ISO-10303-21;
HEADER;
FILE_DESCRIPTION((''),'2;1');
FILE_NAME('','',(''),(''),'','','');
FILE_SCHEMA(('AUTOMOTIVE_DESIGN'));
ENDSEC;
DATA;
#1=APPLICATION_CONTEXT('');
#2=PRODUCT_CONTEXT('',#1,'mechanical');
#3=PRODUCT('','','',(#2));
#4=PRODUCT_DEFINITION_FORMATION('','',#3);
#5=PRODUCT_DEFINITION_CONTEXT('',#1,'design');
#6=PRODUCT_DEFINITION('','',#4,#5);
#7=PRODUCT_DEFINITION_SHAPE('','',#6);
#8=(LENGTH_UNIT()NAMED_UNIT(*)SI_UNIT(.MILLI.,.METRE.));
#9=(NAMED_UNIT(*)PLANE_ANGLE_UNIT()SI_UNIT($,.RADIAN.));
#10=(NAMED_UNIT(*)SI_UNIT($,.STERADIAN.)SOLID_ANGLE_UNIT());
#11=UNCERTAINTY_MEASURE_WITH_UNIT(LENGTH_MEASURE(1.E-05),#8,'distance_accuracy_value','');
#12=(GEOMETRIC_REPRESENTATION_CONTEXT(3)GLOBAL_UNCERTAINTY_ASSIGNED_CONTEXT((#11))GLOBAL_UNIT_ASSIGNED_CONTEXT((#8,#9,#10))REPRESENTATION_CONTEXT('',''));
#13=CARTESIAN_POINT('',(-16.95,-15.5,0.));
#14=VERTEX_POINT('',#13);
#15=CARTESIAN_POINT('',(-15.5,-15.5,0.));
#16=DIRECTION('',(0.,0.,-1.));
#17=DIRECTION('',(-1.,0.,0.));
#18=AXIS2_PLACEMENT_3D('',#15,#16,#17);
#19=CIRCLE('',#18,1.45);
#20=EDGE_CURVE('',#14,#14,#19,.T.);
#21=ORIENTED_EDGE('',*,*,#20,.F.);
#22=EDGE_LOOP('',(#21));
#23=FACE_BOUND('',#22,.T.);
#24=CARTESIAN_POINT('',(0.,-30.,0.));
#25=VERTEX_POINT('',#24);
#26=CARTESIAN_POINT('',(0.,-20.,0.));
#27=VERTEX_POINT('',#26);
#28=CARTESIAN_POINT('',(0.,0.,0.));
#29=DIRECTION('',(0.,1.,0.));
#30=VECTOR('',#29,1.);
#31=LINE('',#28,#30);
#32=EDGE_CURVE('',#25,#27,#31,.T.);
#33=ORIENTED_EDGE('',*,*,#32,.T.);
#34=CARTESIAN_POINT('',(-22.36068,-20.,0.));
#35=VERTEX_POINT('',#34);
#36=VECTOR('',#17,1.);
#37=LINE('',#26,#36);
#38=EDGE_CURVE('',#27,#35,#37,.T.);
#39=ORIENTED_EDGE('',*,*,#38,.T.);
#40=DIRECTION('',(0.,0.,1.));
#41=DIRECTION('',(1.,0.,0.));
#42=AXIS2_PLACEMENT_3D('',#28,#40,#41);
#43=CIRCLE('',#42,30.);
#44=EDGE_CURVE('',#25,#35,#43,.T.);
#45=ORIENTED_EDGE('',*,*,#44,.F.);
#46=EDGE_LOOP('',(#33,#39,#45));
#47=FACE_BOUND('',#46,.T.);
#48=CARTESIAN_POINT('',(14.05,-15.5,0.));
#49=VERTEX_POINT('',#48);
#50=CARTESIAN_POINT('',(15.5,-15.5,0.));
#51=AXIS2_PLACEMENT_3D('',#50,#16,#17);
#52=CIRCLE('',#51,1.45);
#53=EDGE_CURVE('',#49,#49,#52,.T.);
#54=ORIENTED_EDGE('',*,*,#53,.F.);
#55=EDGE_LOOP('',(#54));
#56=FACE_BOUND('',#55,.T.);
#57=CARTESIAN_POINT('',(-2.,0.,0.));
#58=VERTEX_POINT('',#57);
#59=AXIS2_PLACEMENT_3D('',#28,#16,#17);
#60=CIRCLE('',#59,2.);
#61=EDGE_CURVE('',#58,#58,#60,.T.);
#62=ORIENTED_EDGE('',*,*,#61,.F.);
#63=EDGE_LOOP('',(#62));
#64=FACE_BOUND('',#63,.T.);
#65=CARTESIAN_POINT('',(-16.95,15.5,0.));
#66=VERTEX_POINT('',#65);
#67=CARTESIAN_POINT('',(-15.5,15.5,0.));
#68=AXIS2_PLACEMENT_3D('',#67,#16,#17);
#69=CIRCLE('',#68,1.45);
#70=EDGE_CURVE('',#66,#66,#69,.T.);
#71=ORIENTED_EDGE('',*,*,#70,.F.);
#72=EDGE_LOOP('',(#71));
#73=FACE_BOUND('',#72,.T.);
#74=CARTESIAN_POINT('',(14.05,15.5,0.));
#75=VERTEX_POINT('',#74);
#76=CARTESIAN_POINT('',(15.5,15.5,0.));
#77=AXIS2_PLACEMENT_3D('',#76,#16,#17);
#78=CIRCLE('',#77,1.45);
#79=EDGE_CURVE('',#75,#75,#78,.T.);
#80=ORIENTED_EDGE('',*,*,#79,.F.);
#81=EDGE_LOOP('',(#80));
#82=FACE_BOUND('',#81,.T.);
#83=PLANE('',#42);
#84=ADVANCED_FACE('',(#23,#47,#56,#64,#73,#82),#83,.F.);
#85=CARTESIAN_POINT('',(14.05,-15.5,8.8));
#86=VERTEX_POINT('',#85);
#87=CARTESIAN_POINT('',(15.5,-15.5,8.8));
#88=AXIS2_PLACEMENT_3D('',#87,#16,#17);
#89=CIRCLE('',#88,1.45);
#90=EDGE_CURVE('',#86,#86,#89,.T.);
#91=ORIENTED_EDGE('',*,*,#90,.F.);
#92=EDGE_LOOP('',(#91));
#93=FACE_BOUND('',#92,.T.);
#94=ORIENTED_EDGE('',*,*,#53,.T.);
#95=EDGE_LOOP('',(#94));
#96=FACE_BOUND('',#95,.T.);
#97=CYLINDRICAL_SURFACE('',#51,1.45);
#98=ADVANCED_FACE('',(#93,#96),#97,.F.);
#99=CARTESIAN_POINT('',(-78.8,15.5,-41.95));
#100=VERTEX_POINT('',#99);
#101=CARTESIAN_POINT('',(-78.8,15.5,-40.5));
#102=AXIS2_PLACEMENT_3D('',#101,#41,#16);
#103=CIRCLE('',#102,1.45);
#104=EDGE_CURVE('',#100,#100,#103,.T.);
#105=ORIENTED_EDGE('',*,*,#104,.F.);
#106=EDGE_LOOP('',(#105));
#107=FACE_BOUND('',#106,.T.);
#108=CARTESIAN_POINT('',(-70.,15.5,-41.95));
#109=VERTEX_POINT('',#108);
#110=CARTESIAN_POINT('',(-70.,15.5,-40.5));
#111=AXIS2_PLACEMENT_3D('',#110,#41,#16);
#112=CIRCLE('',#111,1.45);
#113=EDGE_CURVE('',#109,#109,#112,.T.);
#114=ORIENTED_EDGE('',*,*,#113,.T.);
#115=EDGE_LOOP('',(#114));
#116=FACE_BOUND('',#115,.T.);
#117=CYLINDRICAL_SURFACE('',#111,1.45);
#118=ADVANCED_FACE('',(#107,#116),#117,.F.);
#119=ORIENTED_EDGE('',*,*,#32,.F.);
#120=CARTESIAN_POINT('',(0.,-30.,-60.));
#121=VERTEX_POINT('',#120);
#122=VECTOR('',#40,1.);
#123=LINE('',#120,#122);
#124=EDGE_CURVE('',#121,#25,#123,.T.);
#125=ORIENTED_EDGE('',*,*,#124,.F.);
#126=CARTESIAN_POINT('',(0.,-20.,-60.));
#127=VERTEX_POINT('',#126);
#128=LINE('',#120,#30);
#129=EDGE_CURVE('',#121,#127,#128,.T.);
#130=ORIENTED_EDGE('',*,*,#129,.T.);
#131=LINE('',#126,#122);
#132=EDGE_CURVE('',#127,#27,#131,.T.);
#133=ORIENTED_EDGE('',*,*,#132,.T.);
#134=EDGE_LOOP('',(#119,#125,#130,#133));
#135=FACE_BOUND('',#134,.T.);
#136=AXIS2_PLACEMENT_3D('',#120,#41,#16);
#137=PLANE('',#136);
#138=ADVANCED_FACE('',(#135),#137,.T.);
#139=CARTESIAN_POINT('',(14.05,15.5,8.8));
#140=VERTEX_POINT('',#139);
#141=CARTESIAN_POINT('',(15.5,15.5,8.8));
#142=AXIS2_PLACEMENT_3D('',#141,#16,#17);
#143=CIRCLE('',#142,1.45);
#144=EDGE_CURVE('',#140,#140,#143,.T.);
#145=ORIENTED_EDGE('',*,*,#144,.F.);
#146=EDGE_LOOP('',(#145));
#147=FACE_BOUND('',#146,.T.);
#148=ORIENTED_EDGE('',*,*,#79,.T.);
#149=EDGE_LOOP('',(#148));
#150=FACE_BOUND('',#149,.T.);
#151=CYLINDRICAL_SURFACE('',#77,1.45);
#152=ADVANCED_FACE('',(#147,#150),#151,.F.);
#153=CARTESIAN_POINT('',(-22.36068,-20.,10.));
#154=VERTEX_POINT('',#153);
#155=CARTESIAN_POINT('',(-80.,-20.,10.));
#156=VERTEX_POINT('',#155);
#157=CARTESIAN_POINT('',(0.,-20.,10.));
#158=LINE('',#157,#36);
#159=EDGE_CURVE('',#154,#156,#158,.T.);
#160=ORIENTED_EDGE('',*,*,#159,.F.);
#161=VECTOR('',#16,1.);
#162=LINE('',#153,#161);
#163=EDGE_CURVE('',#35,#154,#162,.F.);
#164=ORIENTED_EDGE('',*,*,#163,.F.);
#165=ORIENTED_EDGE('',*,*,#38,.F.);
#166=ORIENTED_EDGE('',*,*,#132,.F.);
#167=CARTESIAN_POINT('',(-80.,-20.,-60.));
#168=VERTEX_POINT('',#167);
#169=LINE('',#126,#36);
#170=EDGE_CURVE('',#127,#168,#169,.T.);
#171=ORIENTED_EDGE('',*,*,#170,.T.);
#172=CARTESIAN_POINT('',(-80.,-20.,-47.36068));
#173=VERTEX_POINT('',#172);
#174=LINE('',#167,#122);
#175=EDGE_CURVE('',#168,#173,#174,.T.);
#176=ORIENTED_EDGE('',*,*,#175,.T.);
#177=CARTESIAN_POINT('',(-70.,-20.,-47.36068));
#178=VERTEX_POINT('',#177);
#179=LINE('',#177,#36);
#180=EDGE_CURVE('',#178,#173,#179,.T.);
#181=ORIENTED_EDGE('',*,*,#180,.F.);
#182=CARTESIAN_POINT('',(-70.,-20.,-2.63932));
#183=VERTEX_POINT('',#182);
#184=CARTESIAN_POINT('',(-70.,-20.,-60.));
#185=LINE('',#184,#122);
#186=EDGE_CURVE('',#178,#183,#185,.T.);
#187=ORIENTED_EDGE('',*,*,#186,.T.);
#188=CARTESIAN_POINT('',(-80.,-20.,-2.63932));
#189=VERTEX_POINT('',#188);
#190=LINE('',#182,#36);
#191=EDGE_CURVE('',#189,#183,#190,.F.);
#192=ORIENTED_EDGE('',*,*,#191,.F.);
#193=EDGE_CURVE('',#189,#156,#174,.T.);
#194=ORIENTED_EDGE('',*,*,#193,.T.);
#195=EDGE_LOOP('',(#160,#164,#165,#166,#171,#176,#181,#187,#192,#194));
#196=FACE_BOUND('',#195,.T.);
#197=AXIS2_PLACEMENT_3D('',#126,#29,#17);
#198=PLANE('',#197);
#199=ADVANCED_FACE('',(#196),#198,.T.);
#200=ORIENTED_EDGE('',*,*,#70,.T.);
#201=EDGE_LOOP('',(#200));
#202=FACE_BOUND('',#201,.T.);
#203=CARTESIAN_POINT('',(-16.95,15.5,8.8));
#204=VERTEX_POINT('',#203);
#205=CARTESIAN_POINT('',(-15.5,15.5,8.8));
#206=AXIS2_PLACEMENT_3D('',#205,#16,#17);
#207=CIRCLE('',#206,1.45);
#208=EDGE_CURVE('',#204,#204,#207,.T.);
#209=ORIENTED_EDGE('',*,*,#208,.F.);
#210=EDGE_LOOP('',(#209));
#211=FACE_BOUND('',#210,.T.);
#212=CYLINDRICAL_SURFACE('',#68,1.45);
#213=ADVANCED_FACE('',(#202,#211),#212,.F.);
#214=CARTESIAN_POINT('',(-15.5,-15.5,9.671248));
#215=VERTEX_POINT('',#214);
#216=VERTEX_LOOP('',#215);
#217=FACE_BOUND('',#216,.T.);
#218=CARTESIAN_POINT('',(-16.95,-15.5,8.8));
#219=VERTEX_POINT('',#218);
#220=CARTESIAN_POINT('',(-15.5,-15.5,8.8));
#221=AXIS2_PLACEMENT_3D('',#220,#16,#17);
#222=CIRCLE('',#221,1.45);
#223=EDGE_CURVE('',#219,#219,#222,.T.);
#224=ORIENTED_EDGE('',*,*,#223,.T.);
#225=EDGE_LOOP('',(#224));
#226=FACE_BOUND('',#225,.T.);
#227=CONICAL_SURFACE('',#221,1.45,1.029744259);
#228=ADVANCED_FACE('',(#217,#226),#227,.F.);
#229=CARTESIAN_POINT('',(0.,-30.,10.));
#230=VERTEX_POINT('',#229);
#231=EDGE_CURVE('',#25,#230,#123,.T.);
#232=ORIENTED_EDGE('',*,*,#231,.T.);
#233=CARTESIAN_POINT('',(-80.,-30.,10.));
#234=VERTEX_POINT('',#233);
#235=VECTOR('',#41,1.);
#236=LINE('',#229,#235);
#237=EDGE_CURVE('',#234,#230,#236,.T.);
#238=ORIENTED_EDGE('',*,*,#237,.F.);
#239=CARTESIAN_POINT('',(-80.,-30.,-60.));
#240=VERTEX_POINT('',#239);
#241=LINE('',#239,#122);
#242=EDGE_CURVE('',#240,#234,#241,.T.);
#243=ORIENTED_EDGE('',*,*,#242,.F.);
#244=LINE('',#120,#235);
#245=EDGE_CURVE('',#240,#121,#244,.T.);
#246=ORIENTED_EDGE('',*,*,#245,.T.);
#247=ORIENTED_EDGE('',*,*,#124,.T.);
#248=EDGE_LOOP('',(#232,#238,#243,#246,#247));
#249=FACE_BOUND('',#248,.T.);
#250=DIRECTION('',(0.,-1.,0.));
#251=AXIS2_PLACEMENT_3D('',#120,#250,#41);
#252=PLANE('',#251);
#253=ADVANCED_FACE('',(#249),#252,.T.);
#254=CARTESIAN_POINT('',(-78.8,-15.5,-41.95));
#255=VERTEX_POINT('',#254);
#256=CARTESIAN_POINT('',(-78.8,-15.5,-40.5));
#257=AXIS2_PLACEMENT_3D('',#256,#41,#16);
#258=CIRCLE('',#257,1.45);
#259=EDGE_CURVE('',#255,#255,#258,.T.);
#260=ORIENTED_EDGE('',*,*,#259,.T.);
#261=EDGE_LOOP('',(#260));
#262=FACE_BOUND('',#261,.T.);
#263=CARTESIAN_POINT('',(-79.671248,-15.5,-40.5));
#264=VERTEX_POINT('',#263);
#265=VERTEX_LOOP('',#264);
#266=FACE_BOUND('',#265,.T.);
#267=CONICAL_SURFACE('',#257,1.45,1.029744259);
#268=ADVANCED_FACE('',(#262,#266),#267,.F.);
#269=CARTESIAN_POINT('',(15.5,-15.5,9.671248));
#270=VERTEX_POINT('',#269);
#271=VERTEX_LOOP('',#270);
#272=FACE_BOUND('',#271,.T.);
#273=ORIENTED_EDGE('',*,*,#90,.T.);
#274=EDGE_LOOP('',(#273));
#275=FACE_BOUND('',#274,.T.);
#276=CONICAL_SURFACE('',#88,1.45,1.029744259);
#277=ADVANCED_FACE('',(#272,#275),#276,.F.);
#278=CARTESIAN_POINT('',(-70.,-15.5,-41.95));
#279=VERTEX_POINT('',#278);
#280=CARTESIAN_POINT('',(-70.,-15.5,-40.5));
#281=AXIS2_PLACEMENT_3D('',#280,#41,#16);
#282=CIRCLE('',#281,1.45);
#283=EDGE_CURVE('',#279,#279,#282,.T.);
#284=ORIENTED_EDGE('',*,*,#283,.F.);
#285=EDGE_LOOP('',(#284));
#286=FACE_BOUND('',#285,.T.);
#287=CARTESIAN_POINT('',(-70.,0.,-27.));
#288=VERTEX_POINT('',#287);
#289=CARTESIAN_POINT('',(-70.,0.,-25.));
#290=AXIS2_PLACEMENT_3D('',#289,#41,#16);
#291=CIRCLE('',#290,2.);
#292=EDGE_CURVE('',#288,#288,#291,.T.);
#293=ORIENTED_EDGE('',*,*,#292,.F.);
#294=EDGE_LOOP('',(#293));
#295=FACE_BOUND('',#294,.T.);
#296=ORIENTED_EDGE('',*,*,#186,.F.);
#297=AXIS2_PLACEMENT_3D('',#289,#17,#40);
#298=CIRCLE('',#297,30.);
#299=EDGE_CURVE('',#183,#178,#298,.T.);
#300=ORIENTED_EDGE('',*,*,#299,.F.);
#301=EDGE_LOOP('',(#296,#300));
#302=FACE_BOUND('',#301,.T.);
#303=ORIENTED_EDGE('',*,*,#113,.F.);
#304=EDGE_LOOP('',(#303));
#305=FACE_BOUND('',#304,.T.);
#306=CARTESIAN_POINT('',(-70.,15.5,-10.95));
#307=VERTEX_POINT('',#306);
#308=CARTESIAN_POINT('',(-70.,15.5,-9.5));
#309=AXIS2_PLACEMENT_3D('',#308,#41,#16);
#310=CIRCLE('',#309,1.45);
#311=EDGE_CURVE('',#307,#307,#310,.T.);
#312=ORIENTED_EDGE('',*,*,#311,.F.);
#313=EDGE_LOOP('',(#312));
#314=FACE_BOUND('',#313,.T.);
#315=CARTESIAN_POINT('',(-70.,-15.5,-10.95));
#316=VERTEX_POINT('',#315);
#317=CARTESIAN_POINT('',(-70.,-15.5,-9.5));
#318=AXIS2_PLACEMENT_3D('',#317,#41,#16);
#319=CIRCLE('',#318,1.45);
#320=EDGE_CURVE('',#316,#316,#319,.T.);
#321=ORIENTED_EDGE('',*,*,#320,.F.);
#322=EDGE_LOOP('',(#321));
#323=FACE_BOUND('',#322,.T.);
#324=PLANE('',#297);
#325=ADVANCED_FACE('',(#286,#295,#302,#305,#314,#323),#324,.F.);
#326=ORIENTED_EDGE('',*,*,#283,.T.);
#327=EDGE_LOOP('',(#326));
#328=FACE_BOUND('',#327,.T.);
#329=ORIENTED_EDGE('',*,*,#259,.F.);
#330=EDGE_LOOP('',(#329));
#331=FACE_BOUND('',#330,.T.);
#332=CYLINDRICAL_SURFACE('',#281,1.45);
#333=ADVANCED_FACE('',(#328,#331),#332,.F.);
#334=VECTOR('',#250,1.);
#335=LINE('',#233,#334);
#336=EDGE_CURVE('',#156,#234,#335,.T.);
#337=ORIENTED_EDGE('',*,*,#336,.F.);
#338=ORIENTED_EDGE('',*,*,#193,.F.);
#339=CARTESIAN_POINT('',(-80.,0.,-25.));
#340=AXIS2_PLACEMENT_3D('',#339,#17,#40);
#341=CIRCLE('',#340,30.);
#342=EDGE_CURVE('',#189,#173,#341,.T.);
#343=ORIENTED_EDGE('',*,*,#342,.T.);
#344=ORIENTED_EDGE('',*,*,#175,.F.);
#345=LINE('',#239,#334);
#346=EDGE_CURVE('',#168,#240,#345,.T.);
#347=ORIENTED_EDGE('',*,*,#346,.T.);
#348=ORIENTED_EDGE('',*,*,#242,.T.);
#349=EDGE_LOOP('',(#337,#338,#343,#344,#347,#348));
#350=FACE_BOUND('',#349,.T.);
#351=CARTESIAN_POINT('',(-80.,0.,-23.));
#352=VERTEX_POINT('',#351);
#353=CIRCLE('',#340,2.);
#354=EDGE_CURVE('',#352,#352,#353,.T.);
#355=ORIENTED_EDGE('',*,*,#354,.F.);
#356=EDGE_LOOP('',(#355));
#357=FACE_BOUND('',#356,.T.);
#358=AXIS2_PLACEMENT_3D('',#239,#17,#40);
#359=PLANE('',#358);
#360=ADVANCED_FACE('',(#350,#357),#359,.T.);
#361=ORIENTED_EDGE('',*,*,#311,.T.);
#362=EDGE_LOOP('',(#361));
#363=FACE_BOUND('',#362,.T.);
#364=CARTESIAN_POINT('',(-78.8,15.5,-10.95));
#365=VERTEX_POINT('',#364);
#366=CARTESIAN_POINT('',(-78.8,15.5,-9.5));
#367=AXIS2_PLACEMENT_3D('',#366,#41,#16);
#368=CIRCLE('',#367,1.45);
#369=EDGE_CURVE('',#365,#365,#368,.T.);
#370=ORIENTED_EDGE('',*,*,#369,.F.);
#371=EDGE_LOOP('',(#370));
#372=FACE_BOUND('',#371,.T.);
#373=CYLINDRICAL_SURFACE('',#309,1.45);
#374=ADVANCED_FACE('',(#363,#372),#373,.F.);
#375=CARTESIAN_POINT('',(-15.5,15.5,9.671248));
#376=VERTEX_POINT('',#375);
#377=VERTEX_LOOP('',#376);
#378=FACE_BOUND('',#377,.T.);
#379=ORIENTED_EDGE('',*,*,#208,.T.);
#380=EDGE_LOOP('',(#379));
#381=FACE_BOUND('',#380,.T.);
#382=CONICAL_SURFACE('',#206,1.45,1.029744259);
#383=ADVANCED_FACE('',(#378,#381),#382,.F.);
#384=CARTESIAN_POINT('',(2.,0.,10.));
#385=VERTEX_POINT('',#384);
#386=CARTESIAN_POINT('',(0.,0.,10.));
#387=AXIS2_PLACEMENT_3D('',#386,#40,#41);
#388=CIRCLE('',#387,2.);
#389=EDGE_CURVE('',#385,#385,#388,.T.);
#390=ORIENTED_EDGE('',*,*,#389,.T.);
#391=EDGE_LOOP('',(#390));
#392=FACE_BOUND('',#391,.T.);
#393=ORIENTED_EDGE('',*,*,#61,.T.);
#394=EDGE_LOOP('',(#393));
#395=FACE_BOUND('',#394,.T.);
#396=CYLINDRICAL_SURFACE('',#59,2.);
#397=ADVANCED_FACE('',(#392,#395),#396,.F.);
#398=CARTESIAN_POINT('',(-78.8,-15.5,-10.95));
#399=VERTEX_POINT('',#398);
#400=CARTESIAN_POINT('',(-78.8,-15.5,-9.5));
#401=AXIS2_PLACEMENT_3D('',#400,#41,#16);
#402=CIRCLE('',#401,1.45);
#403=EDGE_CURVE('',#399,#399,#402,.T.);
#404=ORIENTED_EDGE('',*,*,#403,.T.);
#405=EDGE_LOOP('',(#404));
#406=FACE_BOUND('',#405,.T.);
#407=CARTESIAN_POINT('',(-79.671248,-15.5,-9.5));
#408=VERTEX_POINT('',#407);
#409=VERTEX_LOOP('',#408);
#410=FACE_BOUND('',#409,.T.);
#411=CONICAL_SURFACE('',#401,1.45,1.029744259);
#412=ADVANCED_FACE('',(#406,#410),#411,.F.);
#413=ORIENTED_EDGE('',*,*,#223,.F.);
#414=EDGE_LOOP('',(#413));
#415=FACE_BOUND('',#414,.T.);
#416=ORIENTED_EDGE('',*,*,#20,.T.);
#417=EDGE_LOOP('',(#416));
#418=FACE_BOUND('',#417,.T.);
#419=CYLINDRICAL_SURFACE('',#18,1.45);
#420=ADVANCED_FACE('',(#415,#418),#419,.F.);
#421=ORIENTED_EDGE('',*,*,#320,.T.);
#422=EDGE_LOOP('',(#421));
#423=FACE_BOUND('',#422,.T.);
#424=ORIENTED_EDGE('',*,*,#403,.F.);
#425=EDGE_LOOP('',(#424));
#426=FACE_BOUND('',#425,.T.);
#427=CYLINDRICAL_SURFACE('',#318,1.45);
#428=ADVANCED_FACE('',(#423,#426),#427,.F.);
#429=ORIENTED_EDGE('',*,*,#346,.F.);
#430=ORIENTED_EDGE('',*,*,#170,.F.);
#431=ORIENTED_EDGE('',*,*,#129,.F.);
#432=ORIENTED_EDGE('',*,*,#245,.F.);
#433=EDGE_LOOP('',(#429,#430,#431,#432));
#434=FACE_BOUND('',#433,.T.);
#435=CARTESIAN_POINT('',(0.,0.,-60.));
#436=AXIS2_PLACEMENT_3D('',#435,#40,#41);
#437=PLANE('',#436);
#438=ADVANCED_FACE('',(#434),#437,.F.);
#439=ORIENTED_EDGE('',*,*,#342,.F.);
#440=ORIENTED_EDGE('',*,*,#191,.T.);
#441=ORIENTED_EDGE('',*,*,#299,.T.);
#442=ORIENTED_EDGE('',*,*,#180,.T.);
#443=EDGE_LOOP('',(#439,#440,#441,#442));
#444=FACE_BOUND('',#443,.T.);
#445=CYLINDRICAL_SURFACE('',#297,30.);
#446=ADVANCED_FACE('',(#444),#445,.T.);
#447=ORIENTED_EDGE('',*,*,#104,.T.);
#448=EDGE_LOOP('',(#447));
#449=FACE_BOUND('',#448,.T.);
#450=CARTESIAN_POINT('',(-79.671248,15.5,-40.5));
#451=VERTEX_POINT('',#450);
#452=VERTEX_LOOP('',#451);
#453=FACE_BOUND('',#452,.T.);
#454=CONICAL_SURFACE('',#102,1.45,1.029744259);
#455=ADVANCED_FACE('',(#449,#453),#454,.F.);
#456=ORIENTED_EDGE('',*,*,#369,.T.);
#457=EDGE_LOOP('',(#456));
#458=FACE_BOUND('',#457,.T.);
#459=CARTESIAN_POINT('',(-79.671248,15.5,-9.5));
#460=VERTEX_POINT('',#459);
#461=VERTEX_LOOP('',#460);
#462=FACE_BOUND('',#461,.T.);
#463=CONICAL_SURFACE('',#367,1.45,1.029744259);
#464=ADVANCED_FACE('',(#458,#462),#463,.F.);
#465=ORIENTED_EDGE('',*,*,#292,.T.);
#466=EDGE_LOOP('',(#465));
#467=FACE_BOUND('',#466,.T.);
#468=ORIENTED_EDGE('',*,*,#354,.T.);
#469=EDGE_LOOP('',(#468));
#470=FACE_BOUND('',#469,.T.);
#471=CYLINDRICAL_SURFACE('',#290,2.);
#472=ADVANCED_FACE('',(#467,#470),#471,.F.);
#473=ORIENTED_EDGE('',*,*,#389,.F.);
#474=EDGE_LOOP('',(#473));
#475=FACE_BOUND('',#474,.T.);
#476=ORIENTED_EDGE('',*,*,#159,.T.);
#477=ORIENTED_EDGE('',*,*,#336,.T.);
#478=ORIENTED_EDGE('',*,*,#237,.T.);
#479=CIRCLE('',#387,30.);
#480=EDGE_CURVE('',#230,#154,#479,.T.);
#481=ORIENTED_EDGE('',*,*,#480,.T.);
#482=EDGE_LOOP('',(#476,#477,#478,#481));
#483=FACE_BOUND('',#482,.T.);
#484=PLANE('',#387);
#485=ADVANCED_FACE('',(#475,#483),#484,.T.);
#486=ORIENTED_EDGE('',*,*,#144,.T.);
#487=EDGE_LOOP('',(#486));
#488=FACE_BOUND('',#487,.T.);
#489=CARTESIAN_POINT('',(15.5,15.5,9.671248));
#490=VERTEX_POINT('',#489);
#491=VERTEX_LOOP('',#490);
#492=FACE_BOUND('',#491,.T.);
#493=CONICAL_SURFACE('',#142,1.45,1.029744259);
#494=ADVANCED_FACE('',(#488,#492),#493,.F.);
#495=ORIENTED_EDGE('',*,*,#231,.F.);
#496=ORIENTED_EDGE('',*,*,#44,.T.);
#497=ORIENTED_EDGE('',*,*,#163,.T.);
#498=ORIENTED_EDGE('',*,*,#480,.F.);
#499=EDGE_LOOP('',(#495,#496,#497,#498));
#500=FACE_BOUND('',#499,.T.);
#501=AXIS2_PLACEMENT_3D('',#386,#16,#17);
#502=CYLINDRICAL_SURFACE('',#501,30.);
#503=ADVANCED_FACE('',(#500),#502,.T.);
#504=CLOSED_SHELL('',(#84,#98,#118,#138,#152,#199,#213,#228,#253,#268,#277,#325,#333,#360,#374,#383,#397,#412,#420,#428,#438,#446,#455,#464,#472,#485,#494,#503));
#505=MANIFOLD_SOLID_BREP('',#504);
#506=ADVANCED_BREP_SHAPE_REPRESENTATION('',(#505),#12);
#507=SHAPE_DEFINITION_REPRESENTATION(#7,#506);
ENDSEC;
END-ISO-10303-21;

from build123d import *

# Parameters (mm, degrees)
SKETCH1_R                   = 30
BOSS_EXTRUDE1_DEPTH         = 10
SKETCH2_W                   = 80
SKETCH2_H                   = 10
BOSS_EXTRUDE2_DEPTH         = 70
SKETCH3_R                   = 30
BOSS_EXTRUDE3_DEPTH         = 10
F_4_0MM_DOWEL_HOLE1_D       = 4
F_4_0MM_DOWEL_HOLE1_DEPTH   = 10.1
F_4_0MM_DOWEL_HOLE1_TIP     = 1.201721238
M3_5X0_6_TAPPED_HOLE1_D     = 2.9
M3_5X0_6_TAPPED_HOLE1_DEPTH = 8.8
M3_5X0_6_TAPPED_HOLE1_TIP   = 0.871247898
F_4_0MM_DOWEL_HOLE5_D       = 4
F_4_0MM_DOWEL_HOLE5_DEPTH   = 10.1
F_4_0MM_DOWEL_HOLE5_TIP     = 1.201721238
M3_5X0_6_TAPPED_HOLE4_D     = 2.9
M3_5X0_6_TAPPED_HOLE4_DEPTH = 8.8
M3_5X0_6_TAPPED_HOLE4_TIP   = 0.871247898


with BuildPart() as part:
    # Sketch1 → Boss-Extrude1 (new body)
    with BuildSketch(Plane.XY):
        Circle(SKETCH1_R)
    extrude(amount=BOSS_EXTRUDE1_DEPTH)

    # Sketch2 → Boss-Extrude2 (add)
    with BuildSketch(Plane.XY.offset(10)):
        with Locations((-40, -25)):
            Rectangle(SKETCH2_W, SKETCH2_H)
    extrude(amount=-BOSS_EXTRUDE2_DEPTH)

    # Sketch3 → Boss-Extrude3 (add)
    with BuildSketch(Plane.ZY.offset(80)):
        with Locations((-25, 0)):
            Circle(SKETCH3_R)
    extrude(amount=-BOSS_EXTRUDE3_DEPTH)

    # Ø4.0mm Dowel Hole1
    with Locations(Plane(origin=(0, 0, 0), x_dir=(-1, 0, 0), z_dir=(0, 0, -1))):
        with Locations((0, 0)):
            Hole(F_4_0MM_DOWEL_HOLE1_D / 2, depth=F_4_0MM_DOWEL_HOLE1_DEPTH)
            with Locations((0, 0, -(F_4_0MM_DOWEL_HOLE1_DEPTH + F_4_0MM_DOWEL_HOLE1_TIP / 2))):  # 118° drill point
                Cone(0, F_4_0MM_DOWEL_HOLE1_D / 2, F_4_0MM_DOWEL_HOLE1_TIP, mode=Mode.SUBTRACT)

    # M3.5x0.6 Tapped Hole1
    with Locations(Plane(origin=(0, 0, 0), x_dir=(-1, 0, 0), z_dir=(0, 0, -1))):
        with Locations((-15.5, 15.5), (15.5, 15.5), (15.5, -15.5), (-15.5, -15.5)):
            Hole(M3_5X0_6_TAPPED_HOLE1_D / 2, depth=M3_5X0_6_TAPPED_HOLE1_DEPTH)
            with Locations((0, 0, -(M3_5X0_6_TAPPED_HOLE1_DEPTH + M3_5X0_6_TAPPED_HOLE1_TIP / 2))):  # 118° drill point
                Cone(0, M3_5X0_6_TAPPED_HOLE1_D / 2, M3_5X0_6_TAPPED_HOLE1_TIP, mode=Mode.SUBTRACT)

    # Ø4.0mm Dowel Hole5
    with Locations(Plane(origin=(-70, 13.498610341, 45.984792648), x_dir=(0, 0, -1), z_dir=(1, 0, 0))):
        with Locations((70.984792648, -13.498610341)):
            Hole(F_4_0MM_DOWEL_HOLE5_D / 2, depth=F_4_0MM_DOWEL_HOLE5_DEPTH)
            with Locations((0, 0, -(F_4_0MM_DOWEL_HOLE5_DEPTH + F_4_0MM_DOWEL_HOLE5_TIP / 2))):  # 118° drill point
                Cone(0, F_4_0MM_DOWEL_HOLE5_D / 2, F_4_0MM_DOWEL_HOLE5_TIP, mode=Mode.SUBTRACT)

    # M3.5x0.6 Tapped Hole4
    with Locations(Plane(origin=(-70, 0.743323111, -25.05678535), x_dir=(0, 0, -1), z_dir=(1, 0, 0))):
        with Locations((-15.55678535, 14.756676889), (15.44321465, 14.756676889), (15.44321465, -16.243323111), (-15.55678535, -16.243323111)):
            Hole(M3_5X0_6_TAPPED_HOLE4_D / 2, depth=M3_5X0_6_TAPPED_HOLE4_DEPTH)
            with Locations((0, 0, -(M3_5X0_6_TAPPED_HOLE4_DEPTH + M3_5X0_6_TAPPED_HOLE4_TIP / 2))):  # 118° drill point
                Cone(0, M3_5X0_6_TAPPED_HOLE4_D / 2, M3_5X0_6_TAPPED_HOLE4_TIP, mode=Mode.SUBTRACT)


solid = part.part
